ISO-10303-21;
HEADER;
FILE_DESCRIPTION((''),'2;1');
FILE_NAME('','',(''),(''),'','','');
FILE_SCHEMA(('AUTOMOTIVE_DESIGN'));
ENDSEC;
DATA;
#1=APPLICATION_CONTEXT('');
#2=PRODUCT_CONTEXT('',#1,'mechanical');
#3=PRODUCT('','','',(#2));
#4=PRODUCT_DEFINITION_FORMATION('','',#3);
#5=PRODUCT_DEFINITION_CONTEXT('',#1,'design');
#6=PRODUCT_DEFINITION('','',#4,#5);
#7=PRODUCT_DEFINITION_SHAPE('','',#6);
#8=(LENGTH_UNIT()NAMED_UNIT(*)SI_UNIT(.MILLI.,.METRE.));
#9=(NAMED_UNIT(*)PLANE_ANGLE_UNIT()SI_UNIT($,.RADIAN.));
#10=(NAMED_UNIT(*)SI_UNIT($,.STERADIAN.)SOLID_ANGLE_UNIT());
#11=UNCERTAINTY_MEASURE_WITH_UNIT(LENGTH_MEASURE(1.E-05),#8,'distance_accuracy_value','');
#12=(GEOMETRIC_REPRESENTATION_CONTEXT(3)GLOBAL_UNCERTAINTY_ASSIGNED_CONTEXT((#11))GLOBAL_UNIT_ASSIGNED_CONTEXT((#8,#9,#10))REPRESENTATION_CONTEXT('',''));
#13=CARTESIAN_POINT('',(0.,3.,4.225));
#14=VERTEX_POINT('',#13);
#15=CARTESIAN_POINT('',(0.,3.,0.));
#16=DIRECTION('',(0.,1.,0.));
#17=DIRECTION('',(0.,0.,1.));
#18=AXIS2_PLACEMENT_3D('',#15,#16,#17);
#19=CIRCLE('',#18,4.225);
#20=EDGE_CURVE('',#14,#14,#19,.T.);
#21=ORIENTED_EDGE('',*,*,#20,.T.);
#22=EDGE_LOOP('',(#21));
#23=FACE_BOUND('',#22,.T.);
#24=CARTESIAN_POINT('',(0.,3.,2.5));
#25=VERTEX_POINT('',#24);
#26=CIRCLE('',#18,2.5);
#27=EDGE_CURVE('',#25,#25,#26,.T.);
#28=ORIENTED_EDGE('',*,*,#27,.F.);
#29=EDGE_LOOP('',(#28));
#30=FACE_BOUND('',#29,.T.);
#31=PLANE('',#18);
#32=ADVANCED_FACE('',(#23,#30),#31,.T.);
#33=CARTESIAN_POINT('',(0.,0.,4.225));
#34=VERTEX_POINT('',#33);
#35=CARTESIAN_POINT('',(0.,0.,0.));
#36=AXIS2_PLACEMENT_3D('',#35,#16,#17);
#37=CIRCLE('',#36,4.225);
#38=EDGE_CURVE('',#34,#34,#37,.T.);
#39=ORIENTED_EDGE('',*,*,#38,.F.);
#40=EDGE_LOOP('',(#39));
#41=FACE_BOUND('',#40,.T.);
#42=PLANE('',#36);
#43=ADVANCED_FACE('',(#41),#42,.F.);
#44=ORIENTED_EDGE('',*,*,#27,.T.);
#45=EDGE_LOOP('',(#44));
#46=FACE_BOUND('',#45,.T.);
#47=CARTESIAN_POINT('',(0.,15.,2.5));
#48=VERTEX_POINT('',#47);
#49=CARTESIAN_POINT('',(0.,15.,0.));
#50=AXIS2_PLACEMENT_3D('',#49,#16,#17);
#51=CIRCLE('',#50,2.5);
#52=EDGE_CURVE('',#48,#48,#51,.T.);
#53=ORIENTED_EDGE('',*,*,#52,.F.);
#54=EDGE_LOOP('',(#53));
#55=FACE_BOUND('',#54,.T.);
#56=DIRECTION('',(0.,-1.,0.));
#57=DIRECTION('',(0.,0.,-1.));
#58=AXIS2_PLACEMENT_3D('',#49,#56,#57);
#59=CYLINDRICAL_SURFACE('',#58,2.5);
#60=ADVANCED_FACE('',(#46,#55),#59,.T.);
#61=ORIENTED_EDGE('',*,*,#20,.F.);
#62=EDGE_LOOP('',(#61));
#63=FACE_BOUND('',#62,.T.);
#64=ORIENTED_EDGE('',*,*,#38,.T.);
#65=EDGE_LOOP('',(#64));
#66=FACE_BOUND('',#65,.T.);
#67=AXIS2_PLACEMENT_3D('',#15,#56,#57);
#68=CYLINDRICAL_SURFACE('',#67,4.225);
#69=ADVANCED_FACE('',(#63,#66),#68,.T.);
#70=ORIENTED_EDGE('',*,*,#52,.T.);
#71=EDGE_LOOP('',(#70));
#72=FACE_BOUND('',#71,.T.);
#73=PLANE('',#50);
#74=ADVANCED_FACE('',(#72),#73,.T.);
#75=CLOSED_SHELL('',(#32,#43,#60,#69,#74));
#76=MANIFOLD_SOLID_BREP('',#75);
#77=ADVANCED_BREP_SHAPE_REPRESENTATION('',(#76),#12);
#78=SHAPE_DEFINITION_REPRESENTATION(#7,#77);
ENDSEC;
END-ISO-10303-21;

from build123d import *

# Parameters (mm, degrees)
SKETCH1_R           = 4.225
SKETCH1_R_2         = 2.5
BOSS_EXTRUDE1_DEPTH = 3
SKETCH1_2_R         = 2.5
BOSS_EXTRUDE2_DEPTH = 15


with BuildPart() as part:
    # Sketch1 → Boss-Extrude1 (new body)
    with BuildSketch(Plane(origin=(0, 0, 0), x_dir=(1, 0, 0), z_dir=(0, 1, 0))):
        Circle(SKETCH1_R)
        Circle(SKETCH1_R_2, mode=Mode.SUBTRACT)
    extrude(amount=BOSS_EXTRUDE1_DEPTH)

    # Sketch1<2> → Boss-Extrude2 (add)
    with BuildSketch(Plane(origin=(0, 0, 0), x_dir=(1, 0, 0), z_dir=(0, 1, 0))):
        Circle(SKETCH1_2_R)
    extrude(amount=BOSS_EXTRUDE2_DEPTH)


solid = part.part
